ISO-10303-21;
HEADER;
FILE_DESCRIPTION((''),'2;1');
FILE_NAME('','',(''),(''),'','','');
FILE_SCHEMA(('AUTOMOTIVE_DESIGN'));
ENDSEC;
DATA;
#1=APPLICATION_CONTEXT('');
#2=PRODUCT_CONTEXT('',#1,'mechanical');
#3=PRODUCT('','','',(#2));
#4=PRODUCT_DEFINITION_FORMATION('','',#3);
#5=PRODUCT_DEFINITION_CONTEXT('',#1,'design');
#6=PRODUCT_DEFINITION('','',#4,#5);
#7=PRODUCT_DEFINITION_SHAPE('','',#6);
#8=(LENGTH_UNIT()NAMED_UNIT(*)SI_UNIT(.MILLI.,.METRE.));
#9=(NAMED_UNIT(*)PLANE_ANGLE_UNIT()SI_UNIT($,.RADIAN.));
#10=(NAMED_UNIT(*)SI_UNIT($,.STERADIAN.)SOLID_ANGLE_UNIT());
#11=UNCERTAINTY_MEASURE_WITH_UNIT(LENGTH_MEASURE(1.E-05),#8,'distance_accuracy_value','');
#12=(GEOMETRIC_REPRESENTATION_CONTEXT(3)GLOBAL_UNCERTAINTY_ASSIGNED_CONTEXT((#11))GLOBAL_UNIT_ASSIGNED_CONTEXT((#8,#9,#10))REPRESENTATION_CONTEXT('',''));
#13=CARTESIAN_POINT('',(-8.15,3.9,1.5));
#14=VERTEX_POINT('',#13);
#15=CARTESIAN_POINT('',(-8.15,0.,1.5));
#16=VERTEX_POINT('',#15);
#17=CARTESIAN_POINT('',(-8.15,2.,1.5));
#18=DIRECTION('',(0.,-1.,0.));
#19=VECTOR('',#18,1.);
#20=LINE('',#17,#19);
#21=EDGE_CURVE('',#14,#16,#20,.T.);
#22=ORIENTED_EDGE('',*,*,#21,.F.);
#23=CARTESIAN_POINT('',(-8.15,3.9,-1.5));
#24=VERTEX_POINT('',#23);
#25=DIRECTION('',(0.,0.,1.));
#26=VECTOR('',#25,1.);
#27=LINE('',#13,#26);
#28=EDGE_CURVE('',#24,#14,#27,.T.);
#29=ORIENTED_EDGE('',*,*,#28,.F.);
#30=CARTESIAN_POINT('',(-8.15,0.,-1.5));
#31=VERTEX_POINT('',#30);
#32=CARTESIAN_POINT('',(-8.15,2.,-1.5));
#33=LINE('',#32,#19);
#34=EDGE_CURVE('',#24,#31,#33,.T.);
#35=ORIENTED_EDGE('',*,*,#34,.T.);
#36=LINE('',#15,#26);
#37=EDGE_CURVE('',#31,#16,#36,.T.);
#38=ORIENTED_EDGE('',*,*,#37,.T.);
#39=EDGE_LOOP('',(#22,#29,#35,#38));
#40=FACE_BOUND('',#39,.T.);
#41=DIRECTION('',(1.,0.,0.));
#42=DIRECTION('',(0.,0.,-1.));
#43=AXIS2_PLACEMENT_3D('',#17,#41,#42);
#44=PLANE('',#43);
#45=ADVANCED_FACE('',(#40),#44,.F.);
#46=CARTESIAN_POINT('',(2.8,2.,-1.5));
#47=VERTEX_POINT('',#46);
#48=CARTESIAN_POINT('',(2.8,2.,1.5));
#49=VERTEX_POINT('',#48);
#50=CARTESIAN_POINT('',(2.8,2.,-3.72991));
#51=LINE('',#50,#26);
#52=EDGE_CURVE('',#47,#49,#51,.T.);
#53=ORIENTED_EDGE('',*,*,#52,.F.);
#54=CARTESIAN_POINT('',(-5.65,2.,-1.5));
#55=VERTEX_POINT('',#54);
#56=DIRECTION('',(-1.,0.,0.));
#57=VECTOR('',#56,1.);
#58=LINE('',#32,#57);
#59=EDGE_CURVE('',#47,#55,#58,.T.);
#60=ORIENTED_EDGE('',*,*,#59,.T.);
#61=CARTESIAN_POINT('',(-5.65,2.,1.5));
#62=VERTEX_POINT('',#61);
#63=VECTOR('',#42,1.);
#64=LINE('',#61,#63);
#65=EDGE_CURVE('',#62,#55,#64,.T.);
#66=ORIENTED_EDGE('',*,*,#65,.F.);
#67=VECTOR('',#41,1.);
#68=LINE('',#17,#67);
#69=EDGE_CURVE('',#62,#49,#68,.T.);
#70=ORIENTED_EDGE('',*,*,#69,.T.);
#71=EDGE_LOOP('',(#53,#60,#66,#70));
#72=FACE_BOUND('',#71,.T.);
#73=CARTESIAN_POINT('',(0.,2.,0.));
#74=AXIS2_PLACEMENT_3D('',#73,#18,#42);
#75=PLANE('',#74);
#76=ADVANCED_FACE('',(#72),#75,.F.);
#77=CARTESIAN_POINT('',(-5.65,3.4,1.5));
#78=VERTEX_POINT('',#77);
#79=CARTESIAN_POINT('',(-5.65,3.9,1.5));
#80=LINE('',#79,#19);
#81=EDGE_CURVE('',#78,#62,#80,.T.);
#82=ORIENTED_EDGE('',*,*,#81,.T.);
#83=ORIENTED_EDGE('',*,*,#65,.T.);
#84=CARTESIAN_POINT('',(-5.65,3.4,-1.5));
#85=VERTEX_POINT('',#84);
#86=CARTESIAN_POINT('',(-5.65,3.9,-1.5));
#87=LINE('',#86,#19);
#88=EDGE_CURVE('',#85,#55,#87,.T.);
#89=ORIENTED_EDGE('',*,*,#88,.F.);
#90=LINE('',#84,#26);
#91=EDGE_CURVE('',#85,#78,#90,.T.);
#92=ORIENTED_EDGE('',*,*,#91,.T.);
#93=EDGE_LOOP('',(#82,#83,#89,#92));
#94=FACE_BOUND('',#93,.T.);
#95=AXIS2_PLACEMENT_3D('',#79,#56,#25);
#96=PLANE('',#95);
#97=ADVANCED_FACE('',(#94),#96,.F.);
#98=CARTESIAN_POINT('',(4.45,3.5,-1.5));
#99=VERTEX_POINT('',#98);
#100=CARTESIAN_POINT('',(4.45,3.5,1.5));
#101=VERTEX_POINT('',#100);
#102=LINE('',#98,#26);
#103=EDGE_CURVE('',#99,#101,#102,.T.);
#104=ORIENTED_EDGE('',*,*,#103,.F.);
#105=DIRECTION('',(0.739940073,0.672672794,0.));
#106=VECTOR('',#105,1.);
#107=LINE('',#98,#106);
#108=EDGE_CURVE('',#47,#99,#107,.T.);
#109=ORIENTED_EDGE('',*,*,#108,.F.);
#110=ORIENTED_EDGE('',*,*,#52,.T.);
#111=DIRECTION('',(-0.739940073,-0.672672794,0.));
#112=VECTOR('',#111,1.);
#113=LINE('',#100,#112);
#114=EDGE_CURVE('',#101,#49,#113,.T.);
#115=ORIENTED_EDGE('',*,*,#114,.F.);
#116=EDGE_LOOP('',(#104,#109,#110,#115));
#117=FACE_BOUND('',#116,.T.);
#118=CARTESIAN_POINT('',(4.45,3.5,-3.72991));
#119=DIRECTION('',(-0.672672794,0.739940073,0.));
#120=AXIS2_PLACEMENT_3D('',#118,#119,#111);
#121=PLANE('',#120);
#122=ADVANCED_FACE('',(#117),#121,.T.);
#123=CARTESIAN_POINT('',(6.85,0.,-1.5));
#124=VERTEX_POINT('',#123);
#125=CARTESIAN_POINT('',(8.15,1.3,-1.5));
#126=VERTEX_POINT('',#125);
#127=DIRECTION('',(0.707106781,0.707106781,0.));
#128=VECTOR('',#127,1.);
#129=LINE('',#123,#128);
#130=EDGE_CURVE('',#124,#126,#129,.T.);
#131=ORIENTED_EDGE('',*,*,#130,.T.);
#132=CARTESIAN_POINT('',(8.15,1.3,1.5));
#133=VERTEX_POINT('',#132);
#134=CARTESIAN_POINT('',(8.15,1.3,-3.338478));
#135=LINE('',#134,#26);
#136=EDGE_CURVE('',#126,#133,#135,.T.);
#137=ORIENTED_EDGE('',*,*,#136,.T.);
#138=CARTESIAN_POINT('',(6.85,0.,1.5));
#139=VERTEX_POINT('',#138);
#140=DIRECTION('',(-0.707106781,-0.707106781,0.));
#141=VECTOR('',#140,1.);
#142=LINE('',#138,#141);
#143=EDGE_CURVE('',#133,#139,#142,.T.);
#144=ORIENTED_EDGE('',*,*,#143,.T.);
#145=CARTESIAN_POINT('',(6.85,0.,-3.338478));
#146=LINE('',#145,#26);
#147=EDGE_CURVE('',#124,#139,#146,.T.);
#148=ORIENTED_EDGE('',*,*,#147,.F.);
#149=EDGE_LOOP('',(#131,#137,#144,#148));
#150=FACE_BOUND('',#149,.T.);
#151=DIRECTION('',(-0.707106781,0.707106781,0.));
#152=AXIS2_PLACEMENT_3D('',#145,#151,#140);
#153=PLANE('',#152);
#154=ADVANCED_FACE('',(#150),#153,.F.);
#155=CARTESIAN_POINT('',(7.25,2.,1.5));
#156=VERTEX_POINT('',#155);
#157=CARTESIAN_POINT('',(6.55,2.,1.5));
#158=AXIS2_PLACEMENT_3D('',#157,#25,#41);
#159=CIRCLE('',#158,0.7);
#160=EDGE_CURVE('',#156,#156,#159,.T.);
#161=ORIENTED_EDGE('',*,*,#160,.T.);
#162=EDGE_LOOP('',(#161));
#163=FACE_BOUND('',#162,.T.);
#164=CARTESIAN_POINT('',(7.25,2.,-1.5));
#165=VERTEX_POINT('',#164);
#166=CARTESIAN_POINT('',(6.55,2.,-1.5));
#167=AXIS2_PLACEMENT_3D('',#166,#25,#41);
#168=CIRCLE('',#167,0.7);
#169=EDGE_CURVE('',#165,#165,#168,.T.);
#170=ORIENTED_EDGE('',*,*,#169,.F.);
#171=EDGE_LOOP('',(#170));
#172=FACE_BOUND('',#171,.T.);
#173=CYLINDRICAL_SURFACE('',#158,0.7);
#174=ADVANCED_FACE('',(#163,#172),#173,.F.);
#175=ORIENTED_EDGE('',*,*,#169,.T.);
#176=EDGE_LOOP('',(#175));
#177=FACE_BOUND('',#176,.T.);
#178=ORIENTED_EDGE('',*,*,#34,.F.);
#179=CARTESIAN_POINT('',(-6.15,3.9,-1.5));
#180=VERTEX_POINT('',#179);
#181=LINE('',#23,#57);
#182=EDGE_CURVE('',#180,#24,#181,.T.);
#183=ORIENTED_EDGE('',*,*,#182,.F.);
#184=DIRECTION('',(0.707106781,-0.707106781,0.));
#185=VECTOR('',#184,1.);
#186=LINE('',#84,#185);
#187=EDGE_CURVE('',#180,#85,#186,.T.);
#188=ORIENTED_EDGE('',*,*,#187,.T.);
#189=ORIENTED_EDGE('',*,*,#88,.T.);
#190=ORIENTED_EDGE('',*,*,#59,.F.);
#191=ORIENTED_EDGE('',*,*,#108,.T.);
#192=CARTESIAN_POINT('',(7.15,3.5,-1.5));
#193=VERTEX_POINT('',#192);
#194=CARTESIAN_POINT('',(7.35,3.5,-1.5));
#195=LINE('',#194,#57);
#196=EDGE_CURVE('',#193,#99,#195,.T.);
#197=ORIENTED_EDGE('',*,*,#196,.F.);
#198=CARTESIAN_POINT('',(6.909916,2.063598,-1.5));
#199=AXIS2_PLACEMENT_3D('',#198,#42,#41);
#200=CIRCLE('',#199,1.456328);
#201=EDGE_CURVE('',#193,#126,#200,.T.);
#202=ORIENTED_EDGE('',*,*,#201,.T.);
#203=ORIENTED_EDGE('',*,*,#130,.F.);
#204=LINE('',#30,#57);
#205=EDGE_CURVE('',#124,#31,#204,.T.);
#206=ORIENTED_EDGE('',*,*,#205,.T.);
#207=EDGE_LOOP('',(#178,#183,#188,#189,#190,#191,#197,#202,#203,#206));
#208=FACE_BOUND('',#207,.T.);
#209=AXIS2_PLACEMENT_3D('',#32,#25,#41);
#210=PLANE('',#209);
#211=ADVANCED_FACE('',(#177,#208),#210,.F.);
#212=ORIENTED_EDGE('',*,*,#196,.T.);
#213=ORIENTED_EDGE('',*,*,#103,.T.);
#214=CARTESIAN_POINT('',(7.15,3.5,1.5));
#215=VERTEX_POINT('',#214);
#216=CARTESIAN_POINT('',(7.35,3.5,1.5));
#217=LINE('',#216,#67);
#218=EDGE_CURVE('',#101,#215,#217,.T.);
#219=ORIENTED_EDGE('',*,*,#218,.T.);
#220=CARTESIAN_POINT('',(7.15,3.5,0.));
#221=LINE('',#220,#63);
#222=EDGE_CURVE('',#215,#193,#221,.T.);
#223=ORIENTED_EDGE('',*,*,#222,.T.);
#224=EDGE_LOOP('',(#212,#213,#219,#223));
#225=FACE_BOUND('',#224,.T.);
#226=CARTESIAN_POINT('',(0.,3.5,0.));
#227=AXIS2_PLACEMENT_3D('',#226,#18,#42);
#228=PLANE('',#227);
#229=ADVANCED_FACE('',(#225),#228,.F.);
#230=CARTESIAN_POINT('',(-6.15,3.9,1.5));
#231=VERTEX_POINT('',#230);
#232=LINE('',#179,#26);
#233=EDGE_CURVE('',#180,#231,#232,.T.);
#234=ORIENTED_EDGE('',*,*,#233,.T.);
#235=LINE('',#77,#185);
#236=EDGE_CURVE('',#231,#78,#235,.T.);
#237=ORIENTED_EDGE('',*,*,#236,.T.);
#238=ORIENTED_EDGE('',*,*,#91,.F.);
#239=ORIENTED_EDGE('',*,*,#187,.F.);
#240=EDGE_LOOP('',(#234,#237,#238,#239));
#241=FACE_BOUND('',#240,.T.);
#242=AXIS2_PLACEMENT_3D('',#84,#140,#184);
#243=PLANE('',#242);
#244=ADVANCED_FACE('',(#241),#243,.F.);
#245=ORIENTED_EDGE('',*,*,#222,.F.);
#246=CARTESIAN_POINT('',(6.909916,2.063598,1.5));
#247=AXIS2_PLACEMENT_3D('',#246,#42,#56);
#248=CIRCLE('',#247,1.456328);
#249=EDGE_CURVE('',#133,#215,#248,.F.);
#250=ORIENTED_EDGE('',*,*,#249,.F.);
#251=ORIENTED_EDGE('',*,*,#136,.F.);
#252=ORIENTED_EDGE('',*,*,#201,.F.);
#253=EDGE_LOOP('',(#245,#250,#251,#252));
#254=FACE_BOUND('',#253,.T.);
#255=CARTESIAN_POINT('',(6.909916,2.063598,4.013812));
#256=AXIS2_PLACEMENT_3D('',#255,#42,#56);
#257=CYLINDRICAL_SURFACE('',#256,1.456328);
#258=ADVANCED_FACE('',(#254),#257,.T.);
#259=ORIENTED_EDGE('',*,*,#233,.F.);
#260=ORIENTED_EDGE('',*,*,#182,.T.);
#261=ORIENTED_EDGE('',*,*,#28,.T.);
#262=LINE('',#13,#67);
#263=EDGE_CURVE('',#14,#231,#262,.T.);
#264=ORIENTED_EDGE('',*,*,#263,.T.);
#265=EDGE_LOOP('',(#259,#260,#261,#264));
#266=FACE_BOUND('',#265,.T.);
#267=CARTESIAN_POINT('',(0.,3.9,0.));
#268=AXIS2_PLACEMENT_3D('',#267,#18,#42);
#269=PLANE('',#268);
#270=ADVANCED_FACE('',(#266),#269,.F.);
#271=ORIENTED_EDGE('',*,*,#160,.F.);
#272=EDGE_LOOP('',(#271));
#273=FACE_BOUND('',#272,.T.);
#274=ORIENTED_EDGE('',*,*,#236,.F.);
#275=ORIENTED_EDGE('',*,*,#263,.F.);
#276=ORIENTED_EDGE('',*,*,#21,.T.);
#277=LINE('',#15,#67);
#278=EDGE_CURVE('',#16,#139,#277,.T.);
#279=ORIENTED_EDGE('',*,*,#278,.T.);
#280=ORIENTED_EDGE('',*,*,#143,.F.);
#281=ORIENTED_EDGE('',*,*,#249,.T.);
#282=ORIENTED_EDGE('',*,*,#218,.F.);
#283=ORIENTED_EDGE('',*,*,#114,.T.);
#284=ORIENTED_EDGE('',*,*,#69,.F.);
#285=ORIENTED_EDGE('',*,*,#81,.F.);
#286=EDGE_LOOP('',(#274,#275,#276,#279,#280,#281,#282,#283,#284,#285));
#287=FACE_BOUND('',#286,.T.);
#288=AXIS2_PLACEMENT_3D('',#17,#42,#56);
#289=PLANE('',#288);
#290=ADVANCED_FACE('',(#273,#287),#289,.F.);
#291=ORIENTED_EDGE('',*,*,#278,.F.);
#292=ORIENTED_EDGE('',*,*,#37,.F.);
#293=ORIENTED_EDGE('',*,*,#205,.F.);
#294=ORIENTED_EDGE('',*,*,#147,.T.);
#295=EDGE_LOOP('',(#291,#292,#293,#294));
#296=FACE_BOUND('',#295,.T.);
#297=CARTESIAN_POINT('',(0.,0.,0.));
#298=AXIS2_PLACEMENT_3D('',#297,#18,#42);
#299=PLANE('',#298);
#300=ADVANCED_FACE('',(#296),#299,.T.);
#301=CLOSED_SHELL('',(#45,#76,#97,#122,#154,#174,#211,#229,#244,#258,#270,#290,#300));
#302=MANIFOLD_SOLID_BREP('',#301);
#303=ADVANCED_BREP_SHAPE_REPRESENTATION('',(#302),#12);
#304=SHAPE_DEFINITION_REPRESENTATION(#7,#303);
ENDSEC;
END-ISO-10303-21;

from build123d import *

# Parameters (mm, degrees)
SKETCH1_W                  = 16.3
SKETCH1_H                  = 3
BOSS_EXTRUDE1_DEPTH        = 2
SKETCH2_W                  = 2.9
SKETCH2_H                  = 3
BOSS_EXTRUDE2_DEPTH        = 1.5
SKETCH6_W                  = 0.8
SKETCH6_H                  = 1.5
BOSS_EXTRUDE4_DEPTH        = 3
F_1_4_1_4_DIAMETER_HOLE1_D = 1.4
CUT_EXTRUDE1_DEPTH         = 3
SKETCH9_W                  = 2.5
SKETCH9_H                  = 3
BOSS_EXTRUDE5_DEPTH        = 1.9
CUT_EXTRUDE2_DEPTH         = 10.520110293
CUT_EXTRUDE3_DEPTH         = 10
BOSS_EXTRUDE7_DEPTH        = 3


with BuildPart() as part:
    # Sketch1 → Boss-Extrude1 (new body)
    with BuildSketch(Plane(origin=(0, 0, 0), x_dir=(1, 0, 0), z_dir=(0, 1, 0))):
        Rectangle(SKETCH1_W, SKETCH1_H)
    extrude(amount=BOSS_EXTRUDE1_DEPTH)

    # Sketch2 → Boss-Extrude2 (add)
    with BuildSketch(Plane(origin=(0, 2, 0), x_dir=(1, 0, 0), z_dir=(0, 1, 0))):
        with Locations((5.9, 0)):
            Rectangle(SKETCH2_W, SKETCH2_H)
    extrude(amount=BOSS_EXTRUDE2_DEPTH)

    # Sketch6 → Boss-Extrude4 (add)
    with BuildSketch(Plane.XY.offset(1.5)):
        Polygon((4.45, 3.5), (2.8, 2), (4.45, 2), align=None)
        with Locations((7.75, 2.75)):
            Rectangle(SKETCH6_W, SKETCH6_H)
    extrude(amount=-BOSS_EXTRUDE4_DEPTH)

    # Ø1.4 (1.4) Diameter Hole1 (through all)
    with Locations(Plane.XY.offset(1.5)):
        with Locations((6.55, 2)):
            Hole(F_1_4_1_4_DIAMETER_HOLE1_D / 2)

    # Sketch8 → Cut-Extrude1 (cut)
    with BuildSketch(Plane.XY.offset(1.5)):
        Polygon((8.15, 0), (6.85, 0), (8.15, 1.3), align=None)
    extrude(amount=-CUT_EXTRUDE1_DEPTH, mode=Mode.SUBTRACT)

    # Sketch9 → Boss-Extrude5 (add)
    with BuildSketch(Plane(origin=(0, 2, 0), x_dir=(1, 0, 0), z_dir=(0, 1, 0))):
        with Locations((-6.9, 0)):
            Rectangle(SKETCH9_W, SKETCH9_H)
    extrude(amount=BOSS_EXTRUDE5_DEPTH)

    # Sketch10 → Cut-Extrude2 (cut, through all)
    with BuildSketch(Plane.XY.offset(1.5)):
        Polygon((-5.65, 3.9), (-5.65, 3.4), (-6.15, 3.9), align=None)
    extrude(amount=-CUT_EXTRUDE2_DEPTH, mode=Mode.SUBTRACT)

    # Sketch13 → Cut-Extrude3 (cut)
    with BuildSketch(Plane(origin=(0, 0, -1.5), x_dir=(-1, 0, 0), z_dir=(0, 0, -1))):
        Polygon((-8.15, 3.5), (-8.15, 2.5), (-7.15, 3.5), align=None)
    extrude(amount=-CUT_EXTRUDE3_DEPTH, mode=Mode.SUBTRACT)

    # Sketch14 → Boss-Extrude7 (add)
    with BuildSketch(Plane(origin=(0, 0, -1.5), x_dir=(-1, 0, 0), z_dir=(0, 0, -1))):
        with BuildLine():
            Line((-8.15, 1.3), (-7.15, 3.5))
            ThreePointArc((-7.15, 3.5), (-8.235707881, 2.666230855), (-8.15, 1.3))
        make_face()
    extrude(amount=-BOSS_EXTRUDE7_DEPTH)


solid = part.part
